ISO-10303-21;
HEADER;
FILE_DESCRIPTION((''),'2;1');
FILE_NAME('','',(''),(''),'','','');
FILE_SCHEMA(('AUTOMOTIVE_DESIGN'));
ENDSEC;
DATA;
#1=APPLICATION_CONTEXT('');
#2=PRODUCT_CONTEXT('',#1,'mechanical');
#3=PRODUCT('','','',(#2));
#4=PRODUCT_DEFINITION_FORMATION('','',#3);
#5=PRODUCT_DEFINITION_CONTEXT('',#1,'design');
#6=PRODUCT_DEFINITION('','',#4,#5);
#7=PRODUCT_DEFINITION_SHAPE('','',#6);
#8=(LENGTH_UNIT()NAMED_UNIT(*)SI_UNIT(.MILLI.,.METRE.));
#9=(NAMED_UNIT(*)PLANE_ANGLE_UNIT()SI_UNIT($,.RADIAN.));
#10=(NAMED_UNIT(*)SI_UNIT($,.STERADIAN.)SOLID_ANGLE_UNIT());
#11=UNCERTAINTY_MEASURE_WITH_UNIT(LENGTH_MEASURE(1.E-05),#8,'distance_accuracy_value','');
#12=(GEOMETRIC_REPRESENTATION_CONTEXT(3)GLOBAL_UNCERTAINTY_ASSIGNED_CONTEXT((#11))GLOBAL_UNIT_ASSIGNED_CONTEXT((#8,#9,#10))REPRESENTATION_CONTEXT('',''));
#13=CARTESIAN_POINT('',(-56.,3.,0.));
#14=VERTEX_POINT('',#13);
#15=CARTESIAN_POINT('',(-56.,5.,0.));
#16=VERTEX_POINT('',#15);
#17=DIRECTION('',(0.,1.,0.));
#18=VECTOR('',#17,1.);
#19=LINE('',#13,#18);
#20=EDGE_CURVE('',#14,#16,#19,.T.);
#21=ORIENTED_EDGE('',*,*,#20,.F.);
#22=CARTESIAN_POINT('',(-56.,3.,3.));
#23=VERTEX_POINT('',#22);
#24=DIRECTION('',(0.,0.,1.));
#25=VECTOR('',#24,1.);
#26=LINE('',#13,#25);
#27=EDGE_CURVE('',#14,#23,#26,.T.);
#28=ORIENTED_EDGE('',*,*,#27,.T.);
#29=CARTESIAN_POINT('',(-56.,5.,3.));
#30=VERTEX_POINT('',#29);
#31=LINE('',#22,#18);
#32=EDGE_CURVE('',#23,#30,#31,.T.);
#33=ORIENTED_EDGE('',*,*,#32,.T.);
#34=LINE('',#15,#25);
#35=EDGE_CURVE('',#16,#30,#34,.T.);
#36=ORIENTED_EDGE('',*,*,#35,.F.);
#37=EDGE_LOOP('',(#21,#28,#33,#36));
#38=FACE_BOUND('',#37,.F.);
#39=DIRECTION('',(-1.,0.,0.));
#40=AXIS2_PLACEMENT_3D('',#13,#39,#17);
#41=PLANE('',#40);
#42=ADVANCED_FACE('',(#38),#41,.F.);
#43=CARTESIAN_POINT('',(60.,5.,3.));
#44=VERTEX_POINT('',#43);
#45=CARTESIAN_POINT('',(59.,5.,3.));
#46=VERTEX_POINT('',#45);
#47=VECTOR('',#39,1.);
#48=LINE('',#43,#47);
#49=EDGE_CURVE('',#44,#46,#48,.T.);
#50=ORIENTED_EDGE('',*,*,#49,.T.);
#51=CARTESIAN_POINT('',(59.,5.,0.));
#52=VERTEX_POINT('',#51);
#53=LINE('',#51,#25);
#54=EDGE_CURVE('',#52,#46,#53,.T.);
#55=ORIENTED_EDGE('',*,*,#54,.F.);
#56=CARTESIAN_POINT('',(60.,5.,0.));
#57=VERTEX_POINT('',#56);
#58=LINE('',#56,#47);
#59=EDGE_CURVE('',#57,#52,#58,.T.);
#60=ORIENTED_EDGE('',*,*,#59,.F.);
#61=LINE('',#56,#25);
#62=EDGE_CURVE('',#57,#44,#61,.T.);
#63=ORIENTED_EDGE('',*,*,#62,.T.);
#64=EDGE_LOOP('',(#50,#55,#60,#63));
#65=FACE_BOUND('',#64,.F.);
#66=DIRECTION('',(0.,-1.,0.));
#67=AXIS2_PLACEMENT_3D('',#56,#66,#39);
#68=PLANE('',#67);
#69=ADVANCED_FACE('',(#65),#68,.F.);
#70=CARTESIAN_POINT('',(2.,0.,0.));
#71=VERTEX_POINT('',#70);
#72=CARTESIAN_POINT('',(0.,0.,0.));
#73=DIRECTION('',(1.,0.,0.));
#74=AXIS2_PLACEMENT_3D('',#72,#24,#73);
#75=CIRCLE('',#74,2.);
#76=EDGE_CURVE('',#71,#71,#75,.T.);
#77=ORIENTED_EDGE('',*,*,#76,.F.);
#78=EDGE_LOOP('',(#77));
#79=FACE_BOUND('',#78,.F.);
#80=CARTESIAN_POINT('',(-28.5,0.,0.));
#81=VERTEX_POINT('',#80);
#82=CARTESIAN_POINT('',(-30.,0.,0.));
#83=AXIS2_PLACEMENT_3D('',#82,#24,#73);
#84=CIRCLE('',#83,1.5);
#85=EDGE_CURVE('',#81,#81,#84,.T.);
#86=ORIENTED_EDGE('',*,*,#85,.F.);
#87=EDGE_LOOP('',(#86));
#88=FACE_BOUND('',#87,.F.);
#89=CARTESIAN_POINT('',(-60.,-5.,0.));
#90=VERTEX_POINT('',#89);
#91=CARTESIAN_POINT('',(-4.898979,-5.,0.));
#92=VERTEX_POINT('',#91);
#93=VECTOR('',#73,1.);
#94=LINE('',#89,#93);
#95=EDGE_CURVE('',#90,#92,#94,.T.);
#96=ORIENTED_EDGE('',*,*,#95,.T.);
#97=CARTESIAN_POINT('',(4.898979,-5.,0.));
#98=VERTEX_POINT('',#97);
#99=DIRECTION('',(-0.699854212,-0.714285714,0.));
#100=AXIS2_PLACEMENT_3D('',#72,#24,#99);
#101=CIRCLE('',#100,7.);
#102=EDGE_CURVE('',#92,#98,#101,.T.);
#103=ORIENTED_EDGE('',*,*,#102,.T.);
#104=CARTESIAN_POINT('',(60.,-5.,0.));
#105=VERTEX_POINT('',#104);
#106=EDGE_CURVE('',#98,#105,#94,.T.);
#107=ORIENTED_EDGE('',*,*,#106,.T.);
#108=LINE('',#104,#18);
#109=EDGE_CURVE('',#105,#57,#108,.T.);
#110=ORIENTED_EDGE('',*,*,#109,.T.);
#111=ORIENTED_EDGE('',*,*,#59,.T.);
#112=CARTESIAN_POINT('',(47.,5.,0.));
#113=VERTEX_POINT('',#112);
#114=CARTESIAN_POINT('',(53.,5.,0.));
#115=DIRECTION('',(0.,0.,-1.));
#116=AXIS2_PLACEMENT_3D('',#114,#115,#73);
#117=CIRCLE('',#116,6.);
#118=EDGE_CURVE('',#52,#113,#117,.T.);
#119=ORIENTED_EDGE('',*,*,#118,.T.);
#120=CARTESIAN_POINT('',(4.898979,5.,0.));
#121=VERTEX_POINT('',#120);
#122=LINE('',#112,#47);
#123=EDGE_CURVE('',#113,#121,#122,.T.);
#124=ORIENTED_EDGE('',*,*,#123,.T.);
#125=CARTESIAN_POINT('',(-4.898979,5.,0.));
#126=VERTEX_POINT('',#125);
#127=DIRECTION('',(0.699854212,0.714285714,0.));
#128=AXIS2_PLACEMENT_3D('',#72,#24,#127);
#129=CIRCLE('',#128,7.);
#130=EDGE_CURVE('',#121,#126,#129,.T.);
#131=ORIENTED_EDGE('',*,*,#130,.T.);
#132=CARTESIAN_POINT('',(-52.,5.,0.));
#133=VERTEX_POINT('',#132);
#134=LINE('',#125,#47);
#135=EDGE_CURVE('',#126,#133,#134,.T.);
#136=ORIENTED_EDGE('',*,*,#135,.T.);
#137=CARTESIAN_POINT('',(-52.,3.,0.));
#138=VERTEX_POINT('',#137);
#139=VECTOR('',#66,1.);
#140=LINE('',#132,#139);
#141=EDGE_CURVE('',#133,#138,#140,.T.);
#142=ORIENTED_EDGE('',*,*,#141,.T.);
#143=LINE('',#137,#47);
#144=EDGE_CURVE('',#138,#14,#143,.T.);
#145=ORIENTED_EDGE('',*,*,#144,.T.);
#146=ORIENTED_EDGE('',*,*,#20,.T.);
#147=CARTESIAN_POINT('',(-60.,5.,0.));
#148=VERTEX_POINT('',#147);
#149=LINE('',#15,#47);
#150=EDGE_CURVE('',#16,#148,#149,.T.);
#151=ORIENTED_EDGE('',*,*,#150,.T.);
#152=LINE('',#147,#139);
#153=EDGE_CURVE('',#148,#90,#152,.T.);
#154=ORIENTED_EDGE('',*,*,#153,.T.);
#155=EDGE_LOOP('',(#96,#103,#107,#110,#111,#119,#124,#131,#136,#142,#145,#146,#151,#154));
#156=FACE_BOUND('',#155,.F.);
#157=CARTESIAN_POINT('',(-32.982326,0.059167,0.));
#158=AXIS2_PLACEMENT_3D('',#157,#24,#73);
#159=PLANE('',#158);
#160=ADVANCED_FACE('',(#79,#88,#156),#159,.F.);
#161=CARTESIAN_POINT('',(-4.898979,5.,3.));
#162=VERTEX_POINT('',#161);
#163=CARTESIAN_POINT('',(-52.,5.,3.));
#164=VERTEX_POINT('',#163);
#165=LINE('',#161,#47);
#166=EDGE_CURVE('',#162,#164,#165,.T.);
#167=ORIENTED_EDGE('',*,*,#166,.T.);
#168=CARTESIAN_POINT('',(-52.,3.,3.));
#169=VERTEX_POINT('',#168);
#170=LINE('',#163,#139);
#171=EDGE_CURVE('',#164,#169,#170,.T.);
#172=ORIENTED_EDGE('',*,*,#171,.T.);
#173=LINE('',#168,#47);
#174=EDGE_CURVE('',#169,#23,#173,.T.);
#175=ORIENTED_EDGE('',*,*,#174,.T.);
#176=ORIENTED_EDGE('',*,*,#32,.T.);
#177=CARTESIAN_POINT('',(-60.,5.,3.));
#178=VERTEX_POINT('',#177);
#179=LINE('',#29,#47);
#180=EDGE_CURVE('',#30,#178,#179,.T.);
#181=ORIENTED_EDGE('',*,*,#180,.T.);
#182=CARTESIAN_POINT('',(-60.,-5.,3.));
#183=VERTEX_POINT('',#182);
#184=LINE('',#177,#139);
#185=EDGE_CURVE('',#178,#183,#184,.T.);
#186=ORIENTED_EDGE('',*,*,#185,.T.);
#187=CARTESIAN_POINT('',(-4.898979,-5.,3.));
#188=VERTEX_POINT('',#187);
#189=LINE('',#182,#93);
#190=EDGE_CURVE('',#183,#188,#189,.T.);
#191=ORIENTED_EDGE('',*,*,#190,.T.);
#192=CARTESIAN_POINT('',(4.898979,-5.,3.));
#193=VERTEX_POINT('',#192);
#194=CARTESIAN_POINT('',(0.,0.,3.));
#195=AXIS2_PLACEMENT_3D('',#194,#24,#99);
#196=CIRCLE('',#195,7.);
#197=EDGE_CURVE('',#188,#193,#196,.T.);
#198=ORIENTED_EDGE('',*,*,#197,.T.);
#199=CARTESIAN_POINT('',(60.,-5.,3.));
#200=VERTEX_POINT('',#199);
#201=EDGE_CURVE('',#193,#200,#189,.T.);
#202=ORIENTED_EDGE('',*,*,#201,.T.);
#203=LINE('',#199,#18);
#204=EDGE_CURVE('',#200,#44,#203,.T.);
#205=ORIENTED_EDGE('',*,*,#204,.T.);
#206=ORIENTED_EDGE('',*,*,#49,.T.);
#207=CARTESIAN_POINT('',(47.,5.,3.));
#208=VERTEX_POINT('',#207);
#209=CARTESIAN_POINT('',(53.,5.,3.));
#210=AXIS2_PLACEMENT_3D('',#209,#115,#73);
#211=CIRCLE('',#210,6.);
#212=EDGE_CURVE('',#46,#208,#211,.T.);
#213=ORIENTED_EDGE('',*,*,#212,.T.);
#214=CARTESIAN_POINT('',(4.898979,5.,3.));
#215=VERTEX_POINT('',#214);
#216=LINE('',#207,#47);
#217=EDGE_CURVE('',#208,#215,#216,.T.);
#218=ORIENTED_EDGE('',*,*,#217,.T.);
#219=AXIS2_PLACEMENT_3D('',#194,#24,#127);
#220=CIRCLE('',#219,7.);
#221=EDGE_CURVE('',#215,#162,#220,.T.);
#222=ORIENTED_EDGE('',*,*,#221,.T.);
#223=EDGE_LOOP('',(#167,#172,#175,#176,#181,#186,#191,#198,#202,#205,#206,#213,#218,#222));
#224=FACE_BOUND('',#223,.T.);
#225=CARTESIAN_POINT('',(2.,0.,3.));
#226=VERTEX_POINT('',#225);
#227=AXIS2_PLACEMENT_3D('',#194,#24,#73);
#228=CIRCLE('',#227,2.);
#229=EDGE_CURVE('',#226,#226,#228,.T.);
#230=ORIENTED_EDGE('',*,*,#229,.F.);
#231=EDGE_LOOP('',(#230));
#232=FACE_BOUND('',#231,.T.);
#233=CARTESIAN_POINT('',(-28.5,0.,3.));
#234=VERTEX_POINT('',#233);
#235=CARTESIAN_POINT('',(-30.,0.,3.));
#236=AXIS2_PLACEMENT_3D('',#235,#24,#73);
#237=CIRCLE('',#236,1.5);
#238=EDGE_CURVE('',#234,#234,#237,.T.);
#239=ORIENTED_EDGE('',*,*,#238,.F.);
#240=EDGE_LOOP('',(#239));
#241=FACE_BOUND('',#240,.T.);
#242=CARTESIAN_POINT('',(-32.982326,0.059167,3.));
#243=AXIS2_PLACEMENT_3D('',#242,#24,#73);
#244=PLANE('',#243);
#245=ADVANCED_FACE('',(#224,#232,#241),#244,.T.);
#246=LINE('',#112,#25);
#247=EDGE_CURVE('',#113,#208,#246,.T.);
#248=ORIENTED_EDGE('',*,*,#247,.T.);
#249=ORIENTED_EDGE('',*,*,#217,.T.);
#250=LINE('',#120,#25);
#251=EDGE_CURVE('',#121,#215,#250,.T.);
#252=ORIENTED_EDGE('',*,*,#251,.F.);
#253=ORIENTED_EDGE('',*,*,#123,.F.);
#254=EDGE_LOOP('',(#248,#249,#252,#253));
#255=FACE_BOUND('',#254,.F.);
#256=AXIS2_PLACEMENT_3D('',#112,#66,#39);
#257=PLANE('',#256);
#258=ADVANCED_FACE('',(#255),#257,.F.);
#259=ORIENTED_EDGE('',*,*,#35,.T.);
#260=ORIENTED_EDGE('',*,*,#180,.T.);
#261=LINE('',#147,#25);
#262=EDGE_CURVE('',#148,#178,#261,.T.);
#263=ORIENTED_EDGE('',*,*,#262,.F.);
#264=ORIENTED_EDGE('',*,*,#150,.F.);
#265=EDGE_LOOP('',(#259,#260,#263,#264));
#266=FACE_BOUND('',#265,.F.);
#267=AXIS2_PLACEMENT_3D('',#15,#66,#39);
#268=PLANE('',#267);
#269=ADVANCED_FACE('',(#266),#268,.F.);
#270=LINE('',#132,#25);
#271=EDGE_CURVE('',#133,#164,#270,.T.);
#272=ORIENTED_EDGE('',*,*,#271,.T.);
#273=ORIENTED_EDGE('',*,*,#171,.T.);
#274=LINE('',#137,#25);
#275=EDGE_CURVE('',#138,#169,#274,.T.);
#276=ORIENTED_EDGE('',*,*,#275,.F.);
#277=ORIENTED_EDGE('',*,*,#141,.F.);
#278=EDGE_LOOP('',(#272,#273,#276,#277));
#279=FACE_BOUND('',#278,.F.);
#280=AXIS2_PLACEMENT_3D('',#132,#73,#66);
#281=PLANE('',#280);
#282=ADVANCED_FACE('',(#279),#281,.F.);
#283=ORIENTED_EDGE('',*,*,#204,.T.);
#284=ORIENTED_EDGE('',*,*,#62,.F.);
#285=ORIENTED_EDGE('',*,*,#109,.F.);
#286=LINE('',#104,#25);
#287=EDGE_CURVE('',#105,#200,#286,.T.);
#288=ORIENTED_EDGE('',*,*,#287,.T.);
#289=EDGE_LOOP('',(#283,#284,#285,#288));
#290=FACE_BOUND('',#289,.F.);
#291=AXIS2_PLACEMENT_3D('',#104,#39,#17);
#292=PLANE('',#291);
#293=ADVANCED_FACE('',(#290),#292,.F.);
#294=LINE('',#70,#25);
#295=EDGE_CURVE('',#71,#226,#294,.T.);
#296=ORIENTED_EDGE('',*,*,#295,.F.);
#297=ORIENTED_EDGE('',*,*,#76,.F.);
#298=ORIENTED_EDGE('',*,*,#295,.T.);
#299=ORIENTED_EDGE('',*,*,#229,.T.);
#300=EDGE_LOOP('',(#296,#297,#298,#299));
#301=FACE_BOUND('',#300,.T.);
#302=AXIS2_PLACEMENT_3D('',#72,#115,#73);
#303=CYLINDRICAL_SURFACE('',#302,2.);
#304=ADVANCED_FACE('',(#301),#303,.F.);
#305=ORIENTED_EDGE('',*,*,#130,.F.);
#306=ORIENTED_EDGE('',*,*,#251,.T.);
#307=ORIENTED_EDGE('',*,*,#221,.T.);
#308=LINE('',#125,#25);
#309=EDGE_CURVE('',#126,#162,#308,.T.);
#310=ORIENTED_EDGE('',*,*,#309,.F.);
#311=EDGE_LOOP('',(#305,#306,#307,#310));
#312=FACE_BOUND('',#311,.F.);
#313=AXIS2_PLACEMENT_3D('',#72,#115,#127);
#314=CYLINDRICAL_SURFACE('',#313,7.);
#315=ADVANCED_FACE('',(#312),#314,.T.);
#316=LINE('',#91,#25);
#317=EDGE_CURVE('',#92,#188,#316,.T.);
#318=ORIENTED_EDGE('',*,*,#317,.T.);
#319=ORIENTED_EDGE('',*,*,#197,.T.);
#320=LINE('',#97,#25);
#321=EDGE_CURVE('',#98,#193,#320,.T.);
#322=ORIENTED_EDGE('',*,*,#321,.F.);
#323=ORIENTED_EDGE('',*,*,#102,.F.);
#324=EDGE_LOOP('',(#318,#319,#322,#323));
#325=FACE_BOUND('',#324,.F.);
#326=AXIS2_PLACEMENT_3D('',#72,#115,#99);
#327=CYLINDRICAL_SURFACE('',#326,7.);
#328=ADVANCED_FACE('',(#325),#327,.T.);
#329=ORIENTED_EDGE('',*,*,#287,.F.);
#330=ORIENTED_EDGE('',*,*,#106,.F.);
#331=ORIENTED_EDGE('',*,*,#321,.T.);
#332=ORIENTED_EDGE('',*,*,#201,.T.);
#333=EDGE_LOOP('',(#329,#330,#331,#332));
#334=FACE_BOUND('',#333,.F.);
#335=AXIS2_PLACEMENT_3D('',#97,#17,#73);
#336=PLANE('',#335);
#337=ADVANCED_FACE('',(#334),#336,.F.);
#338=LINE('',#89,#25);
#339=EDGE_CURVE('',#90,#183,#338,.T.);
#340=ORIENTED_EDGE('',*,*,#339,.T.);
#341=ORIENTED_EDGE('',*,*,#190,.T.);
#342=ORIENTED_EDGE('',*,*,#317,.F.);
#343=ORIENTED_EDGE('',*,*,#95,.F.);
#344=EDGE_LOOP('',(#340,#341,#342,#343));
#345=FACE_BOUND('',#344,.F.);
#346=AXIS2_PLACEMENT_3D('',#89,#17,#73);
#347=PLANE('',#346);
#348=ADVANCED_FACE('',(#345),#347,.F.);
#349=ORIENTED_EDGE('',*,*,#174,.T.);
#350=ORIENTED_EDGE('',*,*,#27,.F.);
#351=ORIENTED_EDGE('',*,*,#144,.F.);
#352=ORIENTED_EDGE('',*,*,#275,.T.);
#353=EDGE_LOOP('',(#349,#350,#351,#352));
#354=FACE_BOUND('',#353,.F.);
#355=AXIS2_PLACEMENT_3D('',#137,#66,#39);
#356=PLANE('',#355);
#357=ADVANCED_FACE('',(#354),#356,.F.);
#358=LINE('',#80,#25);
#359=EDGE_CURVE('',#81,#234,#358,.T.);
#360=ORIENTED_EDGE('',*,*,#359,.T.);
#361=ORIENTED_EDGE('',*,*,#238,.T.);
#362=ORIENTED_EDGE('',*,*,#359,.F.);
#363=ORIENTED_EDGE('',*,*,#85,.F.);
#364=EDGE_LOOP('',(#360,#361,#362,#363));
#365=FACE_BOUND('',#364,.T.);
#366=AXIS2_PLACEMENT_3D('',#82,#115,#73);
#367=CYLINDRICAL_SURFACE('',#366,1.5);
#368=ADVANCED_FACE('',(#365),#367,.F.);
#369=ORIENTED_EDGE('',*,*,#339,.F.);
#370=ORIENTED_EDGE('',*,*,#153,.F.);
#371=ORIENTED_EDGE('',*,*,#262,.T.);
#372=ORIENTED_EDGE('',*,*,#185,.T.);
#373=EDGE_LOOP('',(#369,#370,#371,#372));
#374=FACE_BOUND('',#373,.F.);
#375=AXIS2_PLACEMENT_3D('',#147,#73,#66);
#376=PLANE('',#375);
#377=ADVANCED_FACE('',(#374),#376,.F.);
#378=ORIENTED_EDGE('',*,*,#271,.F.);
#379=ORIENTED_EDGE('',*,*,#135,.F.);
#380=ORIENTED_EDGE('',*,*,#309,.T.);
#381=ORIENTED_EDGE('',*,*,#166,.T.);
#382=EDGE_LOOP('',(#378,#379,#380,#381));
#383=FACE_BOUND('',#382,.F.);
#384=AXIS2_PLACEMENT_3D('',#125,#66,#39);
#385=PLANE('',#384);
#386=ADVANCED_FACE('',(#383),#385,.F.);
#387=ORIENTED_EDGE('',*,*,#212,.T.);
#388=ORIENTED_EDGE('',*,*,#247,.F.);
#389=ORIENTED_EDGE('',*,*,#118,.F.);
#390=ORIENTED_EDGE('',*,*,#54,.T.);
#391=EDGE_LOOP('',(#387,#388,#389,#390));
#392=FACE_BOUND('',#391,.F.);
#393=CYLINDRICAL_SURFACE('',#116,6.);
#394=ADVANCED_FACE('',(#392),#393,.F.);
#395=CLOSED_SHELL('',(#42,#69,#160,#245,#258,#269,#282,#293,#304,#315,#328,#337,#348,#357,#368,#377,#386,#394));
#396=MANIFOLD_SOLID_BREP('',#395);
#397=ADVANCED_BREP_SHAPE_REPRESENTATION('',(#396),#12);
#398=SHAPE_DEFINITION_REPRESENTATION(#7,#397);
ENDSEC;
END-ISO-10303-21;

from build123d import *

# Parameters (mm, degrees)
F0_R     = 1.5
F0_R_2   = 2
F1_DEPTH = 3


with BuildPart() as f1:
    # F0 (on Top) → F1 (new body)
    with BuildSketch(Plane.XY):
        with BuildLine():
            Line((-60, -5), (-4.8989794856, -5))
            ThreePointArc((-4.8989794856, -5), (-7, 0), (-4.8989794856, 5))
            Line((-4.8989794856, 5), (-52, 5))
            Line((-52, 5), (-52, 3))
            Line((-52, 3), (-56, 3))
            Line((-56, 3), (-56, 5))
            Line((-56, 5), (-60, 5))
            Line((-60, 5), (-60, -5))
        make_face()
        with Locations((-30, 0)):
            Circle(F0_R, mode=Mode.SUBTRACT)
        with BuildLine():
            Line((4.8989794856, -5), (60, -5))
            Line((60, -5), (60, 5))
            Line((60, 5), (59, 5))
            ThreePointArc((59, 5), (53, -1), (47, 5))
            Line((47, 5), (4.8989794856, 5))
            ThreePointArc((4.8989794856, 5), (6.4534043883, 2.7117470016), (7, 0))
            ThreePointArc((7, 0), (6.4534043883, -2.7117470016), (4.8989794856, -5))
        make_face()
        with BuildLine():
            ThreePointArc((4.8989794856, 5), (0, 7), (-4.8989794856, 5))
            Line((-4.8989794856, 5), (4.8989794856, 5))
        make_face()
        with BuildLine():
            Line((-4.8989794856, -5), (4.8989794856, -5))
            ThreePointArc((4.8989794856, -5), (6.4534043883, -2.7117470016), (7, 0))
            ThreePointArc((7, 0), (6.4534043883, 2.7117470016), (4.8989794856, 5))
            Line((4.8989794856, 5), (-4.8989794856, 5))
            ThreePointArc((-4.8989794856, 5), (-7, 0), (-4.8989794856, -5))
        make_face()
        Circle(F0_R_2, mode=Mode.SUBTRACT)
        with BuildLine():
            ThreePointArc((-4.8989794856, -5), (0, -7), (4.8989794856, -5))
            Line((4.8989794856, -5), (-4.8989794856, -5))
        make_face()
    extrude(amount=F1_DEPTH)


solid = f1.part
